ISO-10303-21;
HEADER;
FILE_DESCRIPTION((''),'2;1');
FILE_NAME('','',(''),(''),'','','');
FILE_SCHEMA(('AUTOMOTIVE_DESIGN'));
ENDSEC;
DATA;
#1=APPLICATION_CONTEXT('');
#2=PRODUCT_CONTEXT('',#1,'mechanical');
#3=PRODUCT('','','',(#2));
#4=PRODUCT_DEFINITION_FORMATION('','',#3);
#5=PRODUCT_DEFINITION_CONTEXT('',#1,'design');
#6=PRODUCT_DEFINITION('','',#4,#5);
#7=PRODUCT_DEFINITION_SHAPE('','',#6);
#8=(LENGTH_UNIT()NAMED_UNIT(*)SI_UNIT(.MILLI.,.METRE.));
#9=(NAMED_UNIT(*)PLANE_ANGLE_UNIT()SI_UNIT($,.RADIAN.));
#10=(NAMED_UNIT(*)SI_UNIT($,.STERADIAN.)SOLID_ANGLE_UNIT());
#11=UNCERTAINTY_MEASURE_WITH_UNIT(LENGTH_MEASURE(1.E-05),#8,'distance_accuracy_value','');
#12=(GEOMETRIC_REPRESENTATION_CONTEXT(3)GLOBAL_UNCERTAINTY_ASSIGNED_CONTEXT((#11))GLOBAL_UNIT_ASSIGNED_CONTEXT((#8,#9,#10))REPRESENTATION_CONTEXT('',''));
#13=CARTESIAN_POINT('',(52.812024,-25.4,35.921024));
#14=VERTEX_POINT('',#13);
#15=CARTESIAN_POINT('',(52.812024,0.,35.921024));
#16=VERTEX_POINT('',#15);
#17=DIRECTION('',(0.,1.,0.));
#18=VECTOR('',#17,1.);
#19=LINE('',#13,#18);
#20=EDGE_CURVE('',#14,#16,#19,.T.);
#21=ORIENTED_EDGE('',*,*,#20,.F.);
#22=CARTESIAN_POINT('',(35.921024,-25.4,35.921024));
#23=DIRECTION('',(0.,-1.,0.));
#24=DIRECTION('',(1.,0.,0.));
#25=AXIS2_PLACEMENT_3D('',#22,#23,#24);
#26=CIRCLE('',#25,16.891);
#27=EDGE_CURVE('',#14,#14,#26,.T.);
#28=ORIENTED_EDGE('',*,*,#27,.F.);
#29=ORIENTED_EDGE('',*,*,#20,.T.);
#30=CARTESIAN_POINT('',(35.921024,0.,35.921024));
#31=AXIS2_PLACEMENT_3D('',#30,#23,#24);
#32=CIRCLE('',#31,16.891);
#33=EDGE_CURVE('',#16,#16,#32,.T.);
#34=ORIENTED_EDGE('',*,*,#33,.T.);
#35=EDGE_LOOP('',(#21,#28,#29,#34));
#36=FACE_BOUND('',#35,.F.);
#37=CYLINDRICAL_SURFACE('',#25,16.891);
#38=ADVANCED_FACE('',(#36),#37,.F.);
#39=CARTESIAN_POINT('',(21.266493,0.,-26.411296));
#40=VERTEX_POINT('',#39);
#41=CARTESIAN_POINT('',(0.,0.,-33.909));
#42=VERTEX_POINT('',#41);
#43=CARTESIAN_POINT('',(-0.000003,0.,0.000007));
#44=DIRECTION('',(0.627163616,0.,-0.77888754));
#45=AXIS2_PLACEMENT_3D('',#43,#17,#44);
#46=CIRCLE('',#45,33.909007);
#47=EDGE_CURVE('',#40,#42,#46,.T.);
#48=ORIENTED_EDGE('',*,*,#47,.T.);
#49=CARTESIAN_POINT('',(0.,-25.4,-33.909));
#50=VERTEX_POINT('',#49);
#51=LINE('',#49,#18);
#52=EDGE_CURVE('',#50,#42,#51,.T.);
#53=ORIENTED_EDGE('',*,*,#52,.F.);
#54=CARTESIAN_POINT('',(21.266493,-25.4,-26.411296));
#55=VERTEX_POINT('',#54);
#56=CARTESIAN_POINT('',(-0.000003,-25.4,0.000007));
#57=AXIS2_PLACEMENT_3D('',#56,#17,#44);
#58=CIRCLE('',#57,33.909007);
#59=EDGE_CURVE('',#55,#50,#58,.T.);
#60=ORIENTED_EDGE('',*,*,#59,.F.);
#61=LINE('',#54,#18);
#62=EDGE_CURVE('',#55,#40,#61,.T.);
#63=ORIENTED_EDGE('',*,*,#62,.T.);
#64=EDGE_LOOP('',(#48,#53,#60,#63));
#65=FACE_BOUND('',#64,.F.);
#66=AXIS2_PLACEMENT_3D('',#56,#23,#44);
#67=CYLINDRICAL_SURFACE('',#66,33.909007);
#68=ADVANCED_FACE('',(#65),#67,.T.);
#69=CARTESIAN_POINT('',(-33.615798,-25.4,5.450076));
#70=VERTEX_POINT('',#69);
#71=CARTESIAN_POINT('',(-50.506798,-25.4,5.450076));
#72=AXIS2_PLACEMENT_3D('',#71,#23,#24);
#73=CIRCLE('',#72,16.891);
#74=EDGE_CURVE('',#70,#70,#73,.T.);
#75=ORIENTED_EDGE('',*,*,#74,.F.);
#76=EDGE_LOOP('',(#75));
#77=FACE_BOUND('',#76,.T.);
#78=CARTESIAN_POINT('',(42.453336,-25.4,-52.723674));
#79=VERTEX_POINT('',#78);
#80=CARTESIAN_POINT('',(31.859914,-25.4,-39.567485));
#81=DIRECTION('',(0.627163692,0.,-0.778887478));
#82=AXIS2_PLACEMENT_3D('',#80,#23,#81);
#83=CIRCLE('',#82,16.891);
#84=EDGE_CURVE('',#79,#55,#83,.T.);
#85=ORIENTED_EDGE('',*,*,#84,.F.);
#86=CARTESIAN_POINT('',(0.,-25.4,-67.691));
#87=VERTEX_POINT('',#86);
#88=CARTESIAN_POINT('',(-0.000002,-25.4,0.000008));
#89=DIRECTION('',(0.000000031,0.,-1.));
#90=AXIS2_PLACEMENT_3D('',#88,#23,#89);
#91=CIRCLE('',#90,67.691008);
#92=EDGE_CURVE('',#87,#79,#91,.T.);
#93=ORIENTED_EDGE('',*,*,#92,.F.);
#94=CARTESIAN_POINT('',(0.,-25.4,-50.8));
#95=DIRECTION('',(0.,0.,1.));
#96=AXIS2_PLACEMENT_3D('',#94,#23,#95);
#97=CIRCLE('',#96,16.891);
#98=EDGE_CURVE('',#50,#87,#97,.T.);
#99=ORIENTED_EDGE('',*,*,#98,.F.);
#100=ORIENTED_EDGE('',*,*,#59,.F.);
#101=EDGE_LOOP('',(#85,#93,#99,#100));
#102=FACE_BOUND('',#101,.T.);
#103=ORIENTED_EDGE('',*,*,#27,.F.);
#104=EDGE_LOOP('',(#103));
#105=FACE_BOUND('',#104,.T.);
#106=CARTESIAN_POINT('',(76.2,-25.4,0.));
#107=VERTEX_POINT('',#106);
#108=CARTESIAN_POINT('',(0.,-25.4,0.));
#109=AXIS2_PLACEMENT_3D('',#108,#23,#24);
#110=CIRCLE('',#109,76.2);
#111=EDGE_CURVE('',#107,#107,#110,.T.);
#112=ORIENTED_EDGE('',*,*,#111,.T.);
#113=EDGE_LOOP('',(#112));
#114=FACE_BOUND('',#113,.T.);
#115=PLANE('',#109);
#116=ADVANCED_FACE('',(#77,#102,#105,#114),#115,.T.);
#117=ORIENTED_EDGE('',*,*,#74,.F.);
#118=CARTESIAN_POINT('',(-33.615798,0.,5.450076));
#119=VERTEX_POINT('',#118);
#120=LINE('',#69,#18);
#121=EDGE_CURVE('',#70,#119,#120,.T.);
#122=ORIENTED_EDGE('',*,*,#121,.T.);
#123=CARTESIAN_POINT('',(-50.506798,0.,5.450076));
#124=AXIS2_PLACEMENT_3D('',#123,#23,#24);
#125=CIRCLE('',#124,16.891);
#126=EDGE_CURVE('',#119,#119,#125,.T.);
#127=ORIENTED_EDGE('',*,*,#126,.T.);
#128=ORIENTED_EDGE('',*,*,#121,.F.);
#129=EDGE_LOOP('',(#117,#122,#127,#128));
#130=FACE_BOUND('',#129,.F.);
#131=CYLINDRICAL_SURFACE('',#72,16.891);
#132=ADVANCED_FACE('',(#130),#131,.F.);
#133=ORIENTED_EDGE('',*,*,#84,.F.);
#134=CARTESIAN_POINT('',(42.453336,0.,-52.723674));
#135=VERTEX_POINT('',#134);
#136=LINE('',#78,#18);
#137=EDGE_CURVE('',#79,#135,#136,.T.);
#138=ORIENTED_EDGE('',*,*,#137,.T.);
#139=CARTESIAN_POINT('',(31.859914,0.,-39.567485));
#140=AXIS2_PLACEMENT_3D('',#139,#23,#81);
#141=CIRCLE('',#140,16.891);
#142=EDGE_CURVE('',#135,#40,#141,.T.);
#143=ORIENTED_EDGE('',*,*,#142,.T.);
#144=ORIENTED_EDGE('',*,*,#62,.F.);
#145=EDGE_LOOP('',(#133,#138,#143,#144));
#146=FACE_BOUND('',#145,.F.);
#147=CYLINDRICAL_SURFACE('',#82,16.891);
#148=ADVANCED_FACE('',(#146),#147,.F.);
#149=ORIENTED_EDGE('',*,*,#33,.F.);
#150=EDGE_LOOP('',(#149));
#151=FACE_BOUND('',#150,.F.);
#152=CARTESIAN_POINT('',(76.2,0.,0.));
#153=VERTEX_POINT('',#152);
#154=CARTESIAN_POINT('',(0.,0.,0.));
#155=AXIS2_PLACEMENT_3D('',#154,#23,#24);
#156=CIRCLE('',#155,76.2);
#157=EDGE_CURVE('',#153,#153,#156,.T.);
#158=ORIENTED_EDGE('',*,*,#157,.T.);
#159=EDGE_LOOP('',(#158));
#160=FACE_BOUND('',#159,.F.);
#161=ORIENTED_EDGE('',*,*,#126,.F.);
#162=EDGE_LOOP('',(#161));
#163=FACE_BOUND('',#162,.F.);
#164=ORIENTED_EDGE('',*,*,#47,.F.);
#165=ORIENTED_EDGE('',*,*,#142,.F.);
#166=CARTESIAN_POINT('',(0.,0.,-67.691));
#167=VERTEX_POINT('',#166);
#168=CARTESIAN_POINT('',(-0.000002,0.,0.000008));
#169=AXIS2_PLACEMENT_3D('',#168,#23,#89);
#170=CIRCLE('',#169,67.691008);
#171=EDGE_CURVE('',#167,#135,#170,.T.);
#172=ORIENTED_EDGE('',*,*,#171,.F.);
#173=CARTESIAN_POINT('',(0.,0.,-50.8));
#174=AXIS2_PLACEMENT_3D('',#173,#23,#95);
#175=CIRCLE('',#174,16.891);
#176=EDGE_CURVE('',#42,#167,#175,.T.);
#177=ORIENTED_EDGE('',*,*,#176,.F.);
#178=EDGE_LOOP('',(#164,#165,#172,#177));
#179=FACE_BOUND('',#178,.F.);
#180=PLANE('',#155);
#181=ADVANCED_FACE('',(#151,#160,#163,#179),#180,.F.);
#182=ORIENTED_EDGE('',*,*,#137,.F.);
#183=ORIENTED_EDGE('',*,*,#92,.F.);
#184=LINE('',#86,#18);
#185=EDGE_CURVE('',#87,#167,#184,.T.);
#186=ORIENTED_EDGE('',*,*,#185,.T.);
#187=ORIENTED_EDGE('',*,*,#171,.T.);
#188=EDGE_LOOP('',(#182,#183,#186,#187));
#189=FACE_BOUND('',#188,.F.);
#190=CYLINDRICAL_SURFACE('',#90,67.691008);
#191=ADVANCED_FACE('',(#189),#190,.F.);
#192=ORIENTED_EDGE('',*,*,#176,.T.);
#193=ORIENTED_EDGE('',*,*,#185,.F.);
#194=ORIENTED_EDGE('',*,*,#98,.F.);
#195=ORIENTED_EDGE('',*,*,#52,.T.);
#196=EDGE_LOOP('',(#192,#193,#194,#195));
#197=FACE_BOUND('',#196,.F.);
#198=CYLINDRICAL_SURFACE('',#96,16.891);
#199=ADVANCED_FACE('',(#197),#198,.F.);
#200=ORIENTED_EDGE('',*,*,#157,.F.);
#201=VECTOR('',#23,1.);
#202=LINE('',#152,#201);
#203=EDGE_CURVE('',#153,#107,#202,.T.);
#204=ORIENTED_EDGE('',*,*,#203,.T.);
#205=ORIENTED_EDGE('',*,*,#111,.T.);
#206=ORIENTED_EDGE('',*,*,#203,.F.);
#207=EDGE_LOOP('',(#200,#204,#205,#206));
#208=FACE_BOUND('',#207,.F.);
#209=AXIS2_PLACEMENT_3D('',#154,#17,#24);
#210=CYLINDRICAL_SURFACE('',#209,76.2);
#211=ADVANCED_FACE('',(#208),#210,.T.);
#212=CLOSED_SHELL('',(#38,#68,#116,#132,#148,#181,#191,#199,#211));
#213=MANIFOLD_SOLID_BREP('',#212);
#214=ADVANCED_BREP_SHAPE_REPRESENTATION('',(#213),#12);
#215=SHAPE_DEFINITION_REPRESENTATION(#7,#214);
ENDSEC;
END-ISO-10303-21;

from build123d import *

# Parameters (mm, degrees)
F0_R     = 76.2
F1_DEPTH = 25.4
F3_R     = 16.891
F4_DEPTH = 25.4


with BuildPart() as f1:
    # F0 (on Front) → F1 (new body)
    with BuildSketch(Plane.XZ):
        Circle(F0_R)
    extrude(amount=F1_DEPTH)

    # F3 (on face) → F4 (cut)
    with BuildSketch(Plane.XZ.offset(25.4)):
        with Locations((35.921024, 35.921024)):
            Circle(F3_R)
        with BuildLine():
            ThreePointArc((21.266493, -26.411296), (11.274742, -31.979688), (0, -33.909))
            ThreePointArc((0, -33.909), (-16.891, -50.8), (0, -67.691))
            ThreePointArc((0, -67.691), (22.507258, -63.839602), (42.453336, -52.723674))
            ThreePointArc((42.453336, -52.723674), (45.016103, -28.974064), (21.266493, -26.411296))
        make_face()
        with Locations((-50.506798, 5.450076)):
            Circle(F3_R)
    extrude(amount=-F4_DEPTH, mode=Mode.SUBTRACT)


solid = f1.part
